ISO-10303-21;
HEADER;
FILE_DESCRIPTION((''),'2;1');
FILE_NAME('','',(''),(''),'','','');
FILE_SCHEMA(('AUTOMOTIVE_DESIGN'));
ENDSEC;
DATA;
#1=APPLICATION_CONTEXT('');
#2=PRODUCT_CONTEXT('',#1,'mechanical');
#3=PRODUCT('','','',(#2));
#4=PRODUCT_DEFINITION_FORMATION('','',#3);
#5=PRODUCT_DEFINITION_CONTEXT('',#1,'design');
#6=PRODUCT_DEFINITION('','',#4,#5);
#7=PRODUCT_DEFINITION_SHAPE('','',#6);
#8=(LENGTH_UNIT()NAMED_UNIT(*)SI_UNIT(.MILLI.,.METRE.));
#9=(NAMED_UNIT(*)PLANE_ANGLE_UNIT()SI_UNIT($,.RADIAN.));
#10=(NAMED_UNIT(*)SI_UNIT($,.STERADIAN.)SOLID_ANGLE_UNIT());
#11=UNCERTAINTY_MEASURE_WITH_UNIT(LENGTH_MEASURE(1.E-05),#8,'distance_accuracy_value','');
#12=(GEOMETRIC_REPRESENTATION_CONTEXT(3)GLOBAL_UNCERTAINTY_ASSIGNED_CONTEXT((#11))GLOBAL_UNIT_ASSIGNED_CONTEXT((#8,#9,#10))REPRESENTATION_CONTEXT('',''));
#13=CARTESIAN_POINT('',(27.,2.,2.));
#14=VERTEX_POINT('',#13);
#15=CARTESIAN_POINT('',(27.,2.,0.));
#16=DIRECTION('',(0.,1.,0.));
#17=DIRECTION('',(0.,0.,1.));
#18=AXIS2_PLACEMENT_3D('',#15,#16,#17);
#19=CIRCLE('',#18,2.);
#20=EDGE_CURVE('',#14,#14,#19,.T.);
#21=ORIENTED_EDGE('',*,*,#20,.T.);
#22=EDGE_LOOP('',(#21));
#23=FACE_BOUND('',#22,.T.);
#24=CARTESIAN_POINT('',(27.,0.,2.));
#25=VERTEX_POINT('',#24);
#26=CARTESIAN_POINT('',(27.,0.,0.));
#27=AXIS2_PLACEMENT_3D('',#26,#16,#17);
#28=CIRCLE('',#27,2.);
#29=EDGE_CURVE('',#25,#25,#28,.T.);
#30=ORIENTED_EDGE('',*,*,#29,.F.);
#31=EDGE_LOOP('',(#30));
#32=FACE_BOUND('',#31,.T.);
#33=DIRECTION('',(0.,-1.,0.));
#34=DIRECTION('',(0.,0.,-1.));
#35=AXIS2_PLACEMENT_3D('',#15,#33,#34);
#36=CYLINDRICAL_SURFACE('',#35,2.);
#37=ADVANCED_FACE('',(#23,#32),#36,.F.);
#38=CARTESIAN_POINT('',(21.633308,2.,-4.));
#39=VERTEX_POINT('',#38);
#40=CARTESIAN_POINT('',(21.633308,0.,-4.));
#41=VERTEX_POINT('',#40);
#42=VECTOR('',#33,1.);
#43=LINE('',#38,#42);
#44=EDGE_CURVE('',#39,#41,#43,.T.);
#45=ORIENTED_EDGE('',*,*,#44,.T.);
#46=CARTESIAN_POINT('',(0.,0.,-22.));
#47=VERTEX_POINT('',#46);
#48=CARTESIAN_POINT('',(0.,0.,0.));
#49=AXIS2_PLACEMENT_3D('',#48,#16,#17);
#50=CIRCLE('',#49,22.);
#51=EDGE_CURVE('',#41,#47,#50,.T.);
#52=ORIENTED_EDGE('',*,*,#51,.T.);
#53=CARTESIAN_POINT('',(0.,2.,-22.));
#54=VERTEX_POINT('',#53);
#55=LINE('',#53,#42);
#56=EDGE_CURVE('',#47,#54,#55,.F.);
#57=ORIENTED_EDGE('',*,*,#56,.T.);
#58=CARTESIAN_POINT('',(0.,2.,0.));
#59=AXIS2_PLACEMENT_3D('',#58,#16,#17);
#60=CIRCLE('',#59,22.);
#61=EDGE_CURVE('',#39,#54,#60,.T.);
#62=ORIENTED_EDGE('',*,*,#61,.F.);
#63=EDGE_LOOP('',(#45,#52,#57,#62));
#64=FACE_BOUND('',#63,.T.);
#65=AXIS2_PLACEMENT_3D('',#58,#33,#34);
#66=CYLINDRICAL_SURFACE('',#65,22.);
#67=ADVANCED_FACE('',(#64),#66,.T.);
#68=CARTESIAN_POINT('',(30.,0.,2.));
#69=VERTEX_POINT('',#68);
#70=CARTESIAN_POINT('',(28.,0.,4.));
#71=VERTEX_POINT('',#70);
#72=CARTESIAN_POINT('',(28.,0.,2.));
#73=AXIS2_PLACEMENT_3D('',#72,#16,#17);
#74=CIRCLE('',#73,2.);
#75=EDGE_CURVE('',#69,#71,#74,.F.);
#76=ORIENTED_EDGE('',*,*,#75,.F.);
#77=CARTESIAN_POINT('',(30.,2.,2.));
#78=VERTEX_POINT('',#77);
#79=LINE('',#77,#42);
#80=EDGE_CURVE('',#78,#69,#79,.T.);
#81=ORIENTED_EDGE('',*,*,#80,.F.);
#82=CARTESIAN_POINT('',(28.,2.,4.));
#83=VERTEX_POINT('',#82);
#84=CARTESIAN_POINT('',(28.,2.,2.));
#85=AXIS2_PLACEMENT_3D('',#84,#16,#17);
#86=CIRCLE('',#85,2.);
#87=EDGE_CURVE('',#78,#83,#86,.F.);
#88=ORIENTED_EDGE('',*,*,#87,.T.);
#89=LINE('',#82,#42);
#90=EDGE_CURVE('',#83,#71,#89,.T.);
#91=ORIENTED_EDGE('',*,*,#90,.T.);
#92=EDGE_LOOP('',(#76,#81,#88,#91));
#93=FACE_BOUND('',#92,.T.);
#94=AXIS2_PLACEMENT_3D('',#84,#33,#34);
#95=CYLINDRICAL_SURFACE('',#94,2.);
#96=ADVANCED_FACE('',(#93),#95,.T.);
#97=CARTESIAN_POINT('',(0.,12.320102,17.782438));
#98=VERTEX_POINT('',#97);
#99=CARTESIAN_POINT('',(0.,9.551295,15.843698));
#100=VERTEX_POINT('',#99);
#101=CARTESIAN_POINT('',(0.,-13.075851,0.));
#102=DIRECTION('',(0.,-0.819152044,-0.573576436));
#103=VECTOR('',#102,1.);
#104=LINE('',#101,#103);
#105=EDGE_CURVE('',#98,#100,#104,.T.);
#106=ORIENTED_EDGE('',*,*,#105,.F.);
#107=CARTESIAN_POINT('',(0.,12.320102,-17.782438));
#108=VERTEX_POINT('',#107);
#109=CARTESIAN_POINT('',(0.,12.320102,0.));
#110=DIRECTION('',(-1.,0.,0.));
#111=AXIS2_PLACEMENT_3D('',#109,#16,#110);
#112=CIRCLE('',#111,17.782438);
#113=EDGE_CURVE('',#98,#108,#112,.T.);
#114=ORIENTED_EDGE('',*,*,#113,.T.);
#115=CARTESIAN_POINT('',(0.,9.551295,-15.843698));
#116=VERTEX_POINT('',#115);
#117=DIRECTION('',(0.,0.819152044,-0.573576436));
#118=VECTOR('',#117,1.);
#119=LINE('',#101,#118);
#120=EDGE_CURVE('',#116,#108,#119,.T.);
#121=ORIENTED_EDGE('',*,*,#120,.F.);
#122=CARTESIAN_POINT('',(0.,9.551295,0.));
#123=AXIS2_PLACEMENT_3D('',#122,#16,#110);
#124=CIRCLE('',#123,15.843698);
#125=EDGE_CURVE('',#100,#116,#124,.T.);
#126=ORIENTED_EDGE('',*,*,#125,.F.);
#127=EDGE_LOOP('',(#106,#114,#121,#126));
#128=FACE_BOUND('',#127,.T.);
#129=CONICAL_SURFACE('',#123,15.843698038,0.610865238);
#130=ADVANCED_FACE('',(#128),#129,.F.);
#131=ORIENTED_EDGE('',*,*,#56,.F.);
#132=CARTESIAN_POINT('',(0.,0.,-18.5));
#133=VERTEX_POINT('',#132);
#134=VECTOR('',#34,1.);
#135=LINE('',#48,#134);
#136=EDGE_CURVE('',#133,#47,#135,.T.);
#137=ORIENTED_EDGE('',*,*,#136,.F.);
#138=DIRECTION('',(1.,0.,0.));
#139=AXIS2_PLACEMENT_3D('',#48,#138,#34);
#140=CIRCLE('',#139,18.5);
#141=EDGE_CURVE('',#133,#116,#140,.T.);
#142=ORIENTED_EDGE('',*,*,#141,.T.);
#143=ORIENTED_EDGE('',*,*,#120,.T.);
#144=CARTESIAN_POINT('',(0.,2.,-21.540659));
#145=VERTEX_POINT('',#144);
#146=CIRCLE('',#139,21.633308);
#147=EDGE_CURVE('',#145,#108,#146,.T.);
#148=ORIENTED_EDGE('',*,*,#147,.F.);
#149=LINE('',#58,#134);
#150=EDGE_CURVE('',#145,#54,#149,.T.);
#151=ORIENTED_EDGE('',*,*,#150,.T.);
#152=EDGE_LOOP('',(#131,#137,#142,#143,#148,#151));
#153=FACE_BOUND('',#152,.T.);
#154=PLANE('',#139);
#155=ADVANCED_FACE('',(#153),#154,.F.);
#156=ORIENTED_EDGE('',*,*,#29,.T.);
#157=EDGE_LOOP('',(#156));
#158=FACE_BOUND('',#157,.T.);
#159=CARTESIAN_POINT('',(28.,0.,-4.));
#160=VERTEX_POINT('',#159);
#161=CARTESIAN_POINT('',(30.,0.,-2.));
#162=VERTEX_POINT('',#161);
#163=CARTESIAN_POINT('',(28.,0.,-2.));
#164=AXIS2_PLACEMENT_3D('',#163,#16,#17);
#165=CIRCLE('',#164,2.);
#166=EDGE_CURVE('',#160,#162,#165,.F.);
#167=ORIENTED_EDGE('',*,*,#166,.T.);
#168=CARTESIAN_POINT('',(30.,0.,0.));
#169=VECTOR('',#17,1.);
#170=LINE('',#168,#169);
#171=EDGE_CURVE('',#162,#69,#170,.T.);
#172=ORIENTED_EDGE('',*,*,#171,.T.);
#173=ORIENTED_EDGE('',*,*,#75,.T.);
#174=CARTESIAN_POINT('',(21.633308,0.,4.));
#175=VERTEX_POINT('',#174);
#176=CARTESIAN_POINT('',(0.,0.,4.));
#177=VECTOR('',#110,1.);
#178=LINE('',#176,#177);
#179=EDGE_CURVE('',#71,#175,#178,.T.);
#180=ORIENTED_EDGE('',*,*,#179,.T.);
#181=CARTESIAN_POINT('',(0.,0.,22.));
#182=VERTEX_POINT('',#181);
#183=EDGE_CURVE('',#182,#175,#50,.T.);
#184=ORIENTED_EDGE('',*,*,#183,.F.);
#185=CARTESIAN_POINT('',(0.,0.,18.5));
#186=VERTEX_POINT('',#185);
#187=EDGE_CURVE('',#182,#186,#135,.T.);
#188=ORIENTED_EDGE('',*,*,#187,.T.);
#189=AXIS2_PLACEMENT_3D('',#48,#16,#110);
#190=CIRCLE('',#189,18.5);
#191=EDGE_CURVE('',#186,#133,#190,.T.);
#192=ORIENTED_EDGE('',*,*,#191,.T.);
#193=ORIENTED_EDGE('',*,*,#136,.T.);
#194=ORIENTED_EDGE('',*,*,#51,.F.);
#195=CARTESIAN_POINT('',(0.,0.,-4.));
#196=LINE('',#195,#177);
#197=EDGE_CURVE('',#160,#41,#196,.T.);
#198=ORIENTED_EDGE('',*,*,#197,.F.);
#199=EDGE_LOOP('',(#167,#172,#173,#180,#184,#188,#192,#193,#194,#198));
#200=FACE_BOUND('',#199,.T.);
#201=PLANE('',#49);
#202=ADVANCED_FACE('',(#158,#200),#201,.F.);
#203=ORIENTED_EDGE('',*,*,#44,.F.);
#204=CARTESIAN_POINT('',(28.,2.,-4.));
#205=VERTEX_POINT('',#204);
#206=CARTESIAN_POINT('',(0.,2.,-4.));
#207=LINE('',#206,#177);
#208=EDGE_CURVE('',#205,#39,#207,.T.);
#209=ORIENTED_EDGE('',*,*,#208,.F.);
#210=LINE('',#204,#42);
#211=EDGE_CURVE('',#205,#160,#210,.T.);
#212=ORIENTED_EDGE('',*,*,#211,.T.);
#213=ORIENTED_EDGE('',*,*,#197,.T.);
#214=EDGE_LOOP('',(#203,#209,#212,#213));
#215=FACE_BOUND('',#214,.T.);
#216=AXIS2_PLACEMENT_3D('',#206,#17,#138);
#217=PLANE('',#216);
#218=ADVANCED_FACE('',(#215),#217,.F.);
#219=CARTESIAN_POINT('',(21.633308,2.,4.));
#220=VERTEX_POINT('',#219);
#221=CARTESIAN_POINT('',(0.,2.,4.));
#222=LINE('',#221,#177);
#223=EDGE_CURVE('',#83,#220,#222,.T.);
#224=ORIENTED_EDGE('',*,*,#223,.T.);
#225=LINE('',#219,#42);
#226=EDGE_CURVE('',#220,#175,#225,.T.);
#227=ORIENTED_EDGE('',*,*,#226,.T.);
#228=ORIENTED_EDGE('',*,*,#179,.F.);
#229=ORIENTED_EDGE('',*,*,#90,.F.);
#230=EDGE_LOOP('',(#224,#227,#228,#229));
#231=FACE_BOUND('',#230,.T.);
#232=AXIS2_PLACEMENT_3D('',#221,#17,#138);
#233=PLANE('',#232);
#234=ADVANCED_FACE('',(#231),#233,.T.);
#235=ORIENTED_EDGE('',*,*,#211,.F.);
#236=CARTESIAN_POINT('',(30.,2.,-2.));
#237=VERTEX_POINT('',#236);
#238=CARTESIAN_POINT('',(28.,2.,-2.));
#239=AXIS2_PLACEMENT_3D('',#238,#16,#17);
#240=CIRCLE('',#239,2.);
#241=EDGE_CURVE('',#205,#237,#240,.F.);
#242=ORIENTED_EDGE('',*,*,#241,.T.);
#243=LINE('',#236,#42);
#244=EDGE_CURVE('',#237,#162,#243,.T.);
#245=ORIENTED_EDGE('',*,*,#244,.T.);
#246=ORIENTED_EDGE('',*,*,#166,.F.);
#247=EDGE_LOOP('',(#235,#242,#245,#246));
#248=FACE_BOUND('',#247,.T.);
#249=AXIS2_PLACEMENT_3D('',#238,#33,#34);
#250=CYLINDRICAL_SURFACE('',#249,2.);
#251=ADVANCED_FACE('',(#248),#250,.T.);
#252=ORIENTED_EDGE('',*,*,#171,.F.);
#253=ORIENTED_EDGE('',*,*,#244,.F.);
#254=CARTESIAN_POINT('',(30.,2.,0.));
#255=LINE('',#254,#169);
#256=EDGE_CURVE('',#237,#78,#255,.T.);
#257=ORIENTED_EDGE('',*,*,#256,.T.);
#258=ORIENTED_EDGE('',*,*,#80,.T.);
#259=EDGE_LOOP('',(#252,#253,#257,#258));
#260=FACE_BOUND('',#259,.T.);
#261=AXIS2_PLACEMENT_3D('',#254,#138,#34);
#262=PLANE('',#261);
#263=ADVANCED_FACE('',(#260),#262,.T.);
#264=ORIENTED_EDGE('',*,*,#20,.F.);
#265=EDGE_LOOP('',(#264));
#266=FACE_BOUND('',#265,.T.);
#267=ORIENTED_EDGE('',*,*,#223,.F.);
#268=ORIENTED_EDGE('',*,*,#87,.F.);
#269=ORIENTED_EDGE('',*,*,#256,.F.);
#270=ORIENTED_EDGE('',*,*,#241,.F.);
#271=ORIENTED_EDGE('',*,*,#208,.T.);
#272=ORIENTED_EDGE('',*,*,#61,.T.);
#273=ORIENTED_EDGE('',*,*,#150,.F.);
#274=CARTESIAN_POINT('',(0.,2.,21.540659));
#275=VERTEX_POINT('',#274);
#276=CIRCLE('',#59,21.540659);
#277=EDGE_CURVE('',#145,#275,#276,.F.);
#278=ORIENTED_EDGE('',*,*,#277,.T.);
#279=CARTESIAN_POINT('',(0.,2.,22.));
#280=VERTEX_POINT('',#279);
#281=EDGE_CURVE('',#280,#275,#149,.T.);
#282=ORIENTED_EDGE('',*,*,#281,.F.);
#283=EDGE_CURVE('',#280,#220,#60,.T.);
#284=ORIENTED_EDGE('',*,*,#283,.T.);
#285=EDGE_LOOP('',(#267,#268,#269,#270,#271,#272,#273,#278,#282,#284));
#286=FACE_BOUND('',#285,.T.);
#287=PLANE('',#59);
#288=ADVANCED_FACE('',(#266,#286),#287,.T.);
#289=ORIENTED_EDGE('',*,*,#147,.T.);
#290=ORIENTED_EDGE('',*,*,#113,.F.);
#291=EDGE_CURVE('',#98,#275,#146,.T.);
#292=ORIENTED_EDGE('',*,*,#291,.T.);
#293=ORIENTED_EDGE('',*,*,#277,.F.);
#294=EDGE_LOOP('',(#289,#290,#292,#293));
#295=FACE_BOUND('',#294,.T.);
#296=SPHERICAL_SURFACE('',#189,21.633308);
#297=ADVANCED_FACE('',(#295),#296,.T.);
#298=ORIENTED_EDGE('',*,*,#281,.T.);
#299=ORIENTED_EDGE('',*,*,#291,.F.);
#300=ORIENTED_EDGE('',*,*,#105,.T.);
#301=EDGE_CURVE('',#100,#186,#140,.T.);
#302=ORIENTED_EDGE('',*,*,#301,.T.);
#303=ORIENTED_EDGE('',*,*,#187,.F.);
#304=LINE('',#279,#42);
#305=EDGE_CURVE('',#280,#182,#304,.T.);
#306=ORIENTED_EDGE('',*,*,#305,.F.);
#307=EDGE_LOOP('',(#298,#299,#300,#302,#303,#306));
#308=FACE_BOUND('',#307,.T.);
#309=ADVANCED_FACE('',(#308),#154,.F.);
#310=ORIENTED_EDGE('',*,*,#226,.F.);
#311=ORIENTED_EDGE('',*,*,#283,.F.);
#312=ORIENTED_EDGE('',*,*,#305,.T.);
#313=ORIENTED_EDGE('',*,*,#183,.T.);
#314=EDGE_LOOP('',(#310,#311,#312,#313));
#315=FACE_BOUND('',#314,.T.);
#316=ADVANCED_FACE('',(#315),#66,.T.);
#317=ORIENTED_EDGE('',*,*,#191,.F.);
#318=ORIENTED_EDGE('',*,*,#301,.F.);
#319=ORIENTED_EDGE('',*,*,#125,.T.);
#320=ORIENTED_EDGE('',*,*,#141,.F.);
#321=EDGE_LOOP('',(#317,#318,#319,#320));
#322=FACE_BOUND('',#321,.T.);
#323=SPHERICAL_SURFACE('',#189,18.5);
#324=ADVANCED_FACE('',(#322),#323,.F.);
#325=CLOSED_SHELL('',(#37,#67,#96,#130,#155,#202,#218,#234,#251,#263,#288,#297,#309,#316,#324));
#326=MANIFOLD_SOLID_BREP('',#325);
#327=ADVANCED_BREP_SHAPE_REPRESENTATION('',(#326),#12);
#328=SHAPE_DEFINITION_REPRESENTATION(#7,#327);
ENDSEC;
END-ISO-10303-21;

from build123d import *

# Parameters (mm, degrees)
SKETCH2_R           = 18.5
SKETCH2_R_2         = 2
BOSS_EXTRUDE1_DEPTH = 2
SKETCH5_W           = 68.697937928
SKETCH5_H           = 35.271008104
CUT_EXTRUDE1_DEPTH  = 31


with BuildPart() as part:
    # Sketch2 → Boss-Extrude1 (new body)
    with BuildSketch(Plane(origin=(0, 0, 0), x_dir=(1, 0, 0), z_dir=(0, 1, 0))):
        with BuildLine():
            ThreePointArc((30, 2), (29.414213562, 3.414213562), (28, 4))
            Line((28, 4), (21.633307653, 4))
            ThreePointArc((21.633307653, 4), (0, 22), (-21.633307653, 4))
            Line((-21.633307653, 4), (-28, 4))
            ThreePointArc((-28, 4), (-29.414213562, 3.414213562), (-30, 2))
            Line((-30, 2), (-30, -2))
            ThreePointArc((-30, -2), (-29.414213562, -3.414213562), (-28, -4))
            Line((-28, -4), (-21.633307653, -4))
            ThreePointArc((-21.633307653, -4), (0, -22), (21.633307653, -4))
            Line((21.633307653, -4), (28, -4))
            ThreePointArc((28, -4), (29.414213562, -3.414213562), (30, -2))
            Line((30, -2), (30, 2))
        make_face()
        Circle(SKETCH2_R, mode=Mode.SUBTRACT)
        with Locations((27, 0)):
            Circle(SKETCH2_R_2, mode=Mode.SUBTRACT)
        with Locations((-27, 0)):
            Circle(SKETCH2_R_2, mode=Mode.SUBTRACT)
    extrude(amount=BOSS_EXTRUDE1_DEPTH)

    # Sketch4 → Revolve1 (revolve)
    with BuildSketch(Plane.XY):
        with BuildLine():
            Line((-21.633307653, 0), (-18.5, 0))
            ThreePointArc((-18.5, 0), (-17.823557637, 4.956893497), (-15.843698038, 9.551294806))
            Line((-15.843698038, 9.551294806), (-17.782437649, 12.320101917))
            ThreePointArc((-17.782437649, 12.320101917), (-20.648159052, 6.453954428), (-21.633307653, 0))
        make_face()
    revolve(axis=Axis((0, 21.633307653, 0), (0, -1, 0)))

    # Sketch5 → Cut-Extrude1 (cut, through all)
    with BuildSketch(Plane(origin=(0, 0, 0), x_dir=(0, 0, -1), z_dir=(1, 0, 0))):
        Rectangle(SKETCH5_W, SKETCH5_H)
    extrude(amount=-CUT_EXTRUDE1_DEPTH, mode=Mode.SUBTRACT)


solid = part.part
